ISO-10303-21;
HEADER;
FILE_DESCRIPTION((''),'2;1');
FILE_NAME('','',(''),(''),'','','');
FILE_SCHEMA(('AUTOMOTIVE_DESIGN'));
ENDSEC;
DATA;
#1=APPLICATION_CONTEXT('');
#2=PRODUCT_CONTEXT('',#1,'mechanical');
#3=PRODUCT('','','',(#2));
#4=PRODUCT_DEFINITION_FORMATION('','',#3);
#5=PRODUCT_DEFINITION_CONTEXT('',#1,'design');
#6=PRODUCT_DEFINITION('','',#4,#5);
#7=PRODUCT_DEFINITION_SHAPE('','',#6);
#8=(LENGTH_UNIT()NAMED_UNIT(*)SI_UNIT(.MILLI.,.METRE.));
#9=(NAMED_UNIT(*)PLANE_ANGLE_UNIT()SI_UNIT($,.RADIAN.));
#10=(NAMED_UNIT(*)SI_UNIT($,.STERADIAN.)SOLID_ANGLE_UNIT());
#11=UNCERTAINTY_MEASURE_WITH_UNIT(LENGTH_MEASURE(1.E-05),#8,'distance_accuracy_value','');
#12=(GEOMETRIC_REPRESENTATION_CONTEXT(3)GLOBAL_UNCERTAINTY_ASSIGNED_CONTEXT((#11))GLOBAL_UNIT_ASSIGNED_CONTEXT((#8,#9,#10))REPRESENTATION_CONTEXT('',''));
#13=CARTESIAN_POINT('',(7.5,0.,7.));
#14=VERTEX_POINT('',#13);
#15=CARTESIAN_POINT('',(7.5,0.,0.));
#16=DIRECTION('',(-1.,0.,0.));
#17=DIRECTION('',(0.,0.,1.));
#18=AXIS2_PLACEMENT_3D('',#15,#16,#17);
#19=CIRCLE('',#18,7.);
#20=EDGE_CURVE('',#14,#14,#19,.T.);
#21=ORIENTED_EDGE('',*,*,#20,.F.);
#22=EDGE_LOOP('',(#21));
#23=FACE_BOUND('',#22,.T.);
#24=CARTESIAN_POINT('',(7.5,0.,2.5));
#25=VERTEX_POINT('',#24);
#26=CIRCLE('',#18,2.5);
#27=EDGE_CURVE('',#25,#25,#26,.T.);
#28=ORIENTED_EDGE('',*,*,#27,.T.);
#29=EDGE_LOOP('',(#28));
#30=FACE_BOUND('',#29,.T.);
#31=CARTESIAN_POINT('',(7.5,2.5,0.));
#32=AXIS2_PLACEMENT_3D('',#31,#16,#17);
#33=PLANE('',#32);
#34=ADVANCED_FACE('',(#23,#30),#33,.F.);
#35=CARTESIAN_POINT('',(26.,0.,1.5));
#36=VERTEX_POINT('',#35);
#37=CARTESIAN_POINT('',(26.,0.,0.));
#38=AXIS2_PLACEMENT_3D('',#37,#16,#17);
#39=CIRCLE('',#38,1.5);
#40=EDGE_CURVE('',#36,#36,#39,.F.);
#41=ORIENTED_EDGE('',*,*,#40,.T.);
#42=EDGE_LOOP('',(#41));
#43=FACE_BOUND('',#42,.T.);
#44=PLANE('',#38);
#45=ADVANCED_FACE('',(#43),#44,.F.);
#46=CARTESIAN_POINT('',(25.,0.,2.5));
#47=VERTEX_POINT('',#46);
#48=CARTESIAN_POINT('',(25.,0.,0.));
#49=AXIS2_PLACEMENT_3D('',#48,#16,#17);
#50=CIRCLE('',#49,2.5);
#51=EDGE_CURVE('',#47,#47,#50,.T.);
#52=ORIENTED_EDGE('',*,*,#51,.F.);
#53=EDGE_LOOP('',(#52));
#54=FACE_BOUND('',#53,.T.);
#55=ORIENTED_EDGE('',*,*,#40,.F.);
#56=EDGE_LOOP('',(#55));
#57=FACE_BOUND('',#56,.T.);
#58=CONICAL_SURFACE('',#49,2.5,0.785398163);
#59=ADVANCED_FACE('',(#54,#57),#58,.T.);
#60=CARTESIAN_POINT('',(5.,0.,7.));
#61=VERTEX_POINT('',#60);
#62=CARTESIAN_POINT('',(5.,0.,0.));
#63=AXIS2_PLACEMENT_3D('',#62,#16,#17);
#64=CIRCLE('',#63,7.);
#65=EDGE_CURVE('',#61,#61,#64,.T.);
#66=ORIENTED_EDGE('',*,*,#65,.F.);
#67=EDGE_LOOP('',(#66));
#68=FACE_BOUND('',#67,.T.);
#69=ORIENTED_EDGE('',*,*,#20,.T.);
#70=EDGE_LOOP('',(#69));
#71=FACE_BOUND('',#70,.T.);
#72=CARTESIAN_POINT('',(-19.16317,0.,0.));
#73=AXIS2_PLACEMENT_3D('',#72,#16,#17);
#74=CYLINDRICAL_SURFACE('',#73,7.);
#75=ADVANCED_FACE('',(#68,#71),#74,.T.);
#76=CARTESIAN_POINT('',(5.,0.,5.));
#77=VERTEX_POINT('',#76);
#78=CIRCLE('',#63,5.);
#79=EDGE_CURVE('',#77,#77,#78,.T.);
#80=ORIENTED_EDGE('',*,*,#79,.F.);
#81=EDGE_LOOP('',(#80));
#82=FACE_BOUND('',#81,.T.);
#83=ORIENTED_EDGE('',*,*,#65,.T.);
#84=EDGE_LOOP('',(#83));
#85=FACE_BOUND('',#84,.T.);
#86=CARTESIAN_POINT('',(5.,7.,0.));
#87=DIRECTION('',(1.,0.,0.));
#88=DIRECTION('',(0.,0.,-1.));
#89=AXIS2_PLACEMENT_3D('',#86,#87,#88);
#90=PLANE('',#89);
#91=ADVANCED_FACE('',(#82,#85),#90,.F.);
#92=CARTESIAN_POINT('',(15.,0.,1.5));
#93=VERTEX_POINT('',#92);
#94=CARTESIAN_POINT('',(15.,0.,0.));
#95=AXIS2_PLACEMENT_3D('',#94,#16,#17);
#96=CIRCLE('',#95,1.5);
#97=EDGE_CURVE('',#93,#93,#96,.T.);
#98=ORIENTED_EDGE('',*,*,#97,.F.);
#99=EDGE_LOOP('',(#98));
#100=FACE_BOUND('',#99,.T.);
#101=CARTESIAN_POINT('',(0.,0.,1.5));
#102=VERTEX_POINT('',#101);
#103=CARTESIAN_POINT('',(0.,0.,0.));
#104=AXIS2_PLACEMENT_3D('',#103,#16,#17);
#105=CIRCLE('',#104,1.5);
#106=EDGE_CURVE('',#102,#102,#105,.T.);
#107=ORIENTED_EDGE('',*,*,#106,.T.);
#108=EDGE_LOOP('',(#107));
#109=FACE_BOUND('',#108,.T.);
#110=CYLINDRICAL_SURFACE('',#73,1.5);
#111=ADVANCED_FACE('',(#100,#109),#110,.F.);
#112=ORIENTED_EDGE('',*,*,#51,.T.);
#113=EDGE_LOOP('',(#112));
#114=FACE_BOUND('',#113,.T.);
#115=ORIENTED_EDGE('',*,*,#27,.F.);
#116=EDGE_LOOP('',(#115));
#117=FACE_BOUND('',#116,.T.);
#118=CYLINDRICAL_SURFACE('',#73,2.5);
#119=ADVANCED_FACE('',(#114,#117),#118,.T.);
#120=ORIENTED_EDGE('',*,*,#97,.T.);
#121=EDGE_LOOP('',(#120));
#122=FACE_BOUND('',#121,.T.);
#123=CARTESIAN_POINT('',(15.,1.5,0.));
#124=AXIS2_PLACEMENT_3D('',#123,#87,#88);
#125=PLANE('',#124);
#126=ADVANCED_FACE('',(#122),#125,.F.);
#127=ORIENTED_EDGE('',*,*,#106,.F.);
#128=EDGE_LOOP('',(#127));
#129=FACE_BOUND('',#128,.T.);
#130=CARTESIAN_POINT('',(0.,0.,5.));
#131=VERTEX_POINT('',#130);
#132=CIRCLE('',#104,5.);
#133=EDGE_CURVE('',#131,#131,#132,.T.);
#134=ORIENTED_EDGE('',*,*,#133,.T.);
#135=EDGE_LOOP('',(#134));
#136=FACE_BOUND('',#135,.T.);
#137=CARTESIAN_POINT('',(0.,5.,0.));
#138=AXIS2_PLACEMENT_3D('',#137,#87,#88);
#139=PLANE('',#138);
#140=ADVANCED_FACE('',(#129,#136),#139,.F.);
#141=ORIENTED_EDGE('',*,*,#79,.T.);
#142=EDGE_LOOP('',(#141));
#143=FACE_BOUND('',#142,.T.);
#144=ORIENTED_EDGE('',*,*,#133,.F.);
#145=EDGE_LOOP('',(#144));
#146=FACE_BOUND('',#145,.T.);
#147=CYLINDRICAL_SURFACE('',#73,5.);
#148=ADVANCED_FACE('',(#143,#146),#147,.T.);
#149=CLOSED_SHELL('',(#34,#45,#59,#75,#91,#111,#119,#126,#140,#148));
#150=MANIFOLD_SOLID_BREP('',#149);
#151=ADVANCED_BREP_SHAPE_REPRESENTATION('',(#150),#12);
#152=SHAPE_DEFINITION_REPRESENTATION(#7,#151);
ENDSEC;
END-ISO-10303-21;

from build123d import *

# Parameters (mm, degrees)
CHANFREIN1_SIZE = 1


with BuildPart() as part:
    # Esquisse1 → Révolution1 (revolve)
    with BuildSketch(Plane.XY, mode=Mode.PRIVATE) as r_volution1_sk:
        Polygon((0, 1.5), (15, 1.5), (15, 0), (26, 0), (26, 2.5), (7.5, 2.5), (7.5, 7), (5, 7), (5, 5), (0, 5), align=None)
    revolve(r_volution1_sk.sketch.rotate(Axis((-19.163170338, 0, 0), (1, 0, 0)), 90), axis=Axis((-19.163170338, 0, 0), (1, 0, 0)))

    # Chanfrein1
    chanfrein1_edges = [part.edges().sort_by_distance(p)[0] for p in [
        (26, 0, -2.5),
    ]]
    chamfer(chanfrein1_edges, length=CHANFREIN1_SIZE)


solid = part.part
